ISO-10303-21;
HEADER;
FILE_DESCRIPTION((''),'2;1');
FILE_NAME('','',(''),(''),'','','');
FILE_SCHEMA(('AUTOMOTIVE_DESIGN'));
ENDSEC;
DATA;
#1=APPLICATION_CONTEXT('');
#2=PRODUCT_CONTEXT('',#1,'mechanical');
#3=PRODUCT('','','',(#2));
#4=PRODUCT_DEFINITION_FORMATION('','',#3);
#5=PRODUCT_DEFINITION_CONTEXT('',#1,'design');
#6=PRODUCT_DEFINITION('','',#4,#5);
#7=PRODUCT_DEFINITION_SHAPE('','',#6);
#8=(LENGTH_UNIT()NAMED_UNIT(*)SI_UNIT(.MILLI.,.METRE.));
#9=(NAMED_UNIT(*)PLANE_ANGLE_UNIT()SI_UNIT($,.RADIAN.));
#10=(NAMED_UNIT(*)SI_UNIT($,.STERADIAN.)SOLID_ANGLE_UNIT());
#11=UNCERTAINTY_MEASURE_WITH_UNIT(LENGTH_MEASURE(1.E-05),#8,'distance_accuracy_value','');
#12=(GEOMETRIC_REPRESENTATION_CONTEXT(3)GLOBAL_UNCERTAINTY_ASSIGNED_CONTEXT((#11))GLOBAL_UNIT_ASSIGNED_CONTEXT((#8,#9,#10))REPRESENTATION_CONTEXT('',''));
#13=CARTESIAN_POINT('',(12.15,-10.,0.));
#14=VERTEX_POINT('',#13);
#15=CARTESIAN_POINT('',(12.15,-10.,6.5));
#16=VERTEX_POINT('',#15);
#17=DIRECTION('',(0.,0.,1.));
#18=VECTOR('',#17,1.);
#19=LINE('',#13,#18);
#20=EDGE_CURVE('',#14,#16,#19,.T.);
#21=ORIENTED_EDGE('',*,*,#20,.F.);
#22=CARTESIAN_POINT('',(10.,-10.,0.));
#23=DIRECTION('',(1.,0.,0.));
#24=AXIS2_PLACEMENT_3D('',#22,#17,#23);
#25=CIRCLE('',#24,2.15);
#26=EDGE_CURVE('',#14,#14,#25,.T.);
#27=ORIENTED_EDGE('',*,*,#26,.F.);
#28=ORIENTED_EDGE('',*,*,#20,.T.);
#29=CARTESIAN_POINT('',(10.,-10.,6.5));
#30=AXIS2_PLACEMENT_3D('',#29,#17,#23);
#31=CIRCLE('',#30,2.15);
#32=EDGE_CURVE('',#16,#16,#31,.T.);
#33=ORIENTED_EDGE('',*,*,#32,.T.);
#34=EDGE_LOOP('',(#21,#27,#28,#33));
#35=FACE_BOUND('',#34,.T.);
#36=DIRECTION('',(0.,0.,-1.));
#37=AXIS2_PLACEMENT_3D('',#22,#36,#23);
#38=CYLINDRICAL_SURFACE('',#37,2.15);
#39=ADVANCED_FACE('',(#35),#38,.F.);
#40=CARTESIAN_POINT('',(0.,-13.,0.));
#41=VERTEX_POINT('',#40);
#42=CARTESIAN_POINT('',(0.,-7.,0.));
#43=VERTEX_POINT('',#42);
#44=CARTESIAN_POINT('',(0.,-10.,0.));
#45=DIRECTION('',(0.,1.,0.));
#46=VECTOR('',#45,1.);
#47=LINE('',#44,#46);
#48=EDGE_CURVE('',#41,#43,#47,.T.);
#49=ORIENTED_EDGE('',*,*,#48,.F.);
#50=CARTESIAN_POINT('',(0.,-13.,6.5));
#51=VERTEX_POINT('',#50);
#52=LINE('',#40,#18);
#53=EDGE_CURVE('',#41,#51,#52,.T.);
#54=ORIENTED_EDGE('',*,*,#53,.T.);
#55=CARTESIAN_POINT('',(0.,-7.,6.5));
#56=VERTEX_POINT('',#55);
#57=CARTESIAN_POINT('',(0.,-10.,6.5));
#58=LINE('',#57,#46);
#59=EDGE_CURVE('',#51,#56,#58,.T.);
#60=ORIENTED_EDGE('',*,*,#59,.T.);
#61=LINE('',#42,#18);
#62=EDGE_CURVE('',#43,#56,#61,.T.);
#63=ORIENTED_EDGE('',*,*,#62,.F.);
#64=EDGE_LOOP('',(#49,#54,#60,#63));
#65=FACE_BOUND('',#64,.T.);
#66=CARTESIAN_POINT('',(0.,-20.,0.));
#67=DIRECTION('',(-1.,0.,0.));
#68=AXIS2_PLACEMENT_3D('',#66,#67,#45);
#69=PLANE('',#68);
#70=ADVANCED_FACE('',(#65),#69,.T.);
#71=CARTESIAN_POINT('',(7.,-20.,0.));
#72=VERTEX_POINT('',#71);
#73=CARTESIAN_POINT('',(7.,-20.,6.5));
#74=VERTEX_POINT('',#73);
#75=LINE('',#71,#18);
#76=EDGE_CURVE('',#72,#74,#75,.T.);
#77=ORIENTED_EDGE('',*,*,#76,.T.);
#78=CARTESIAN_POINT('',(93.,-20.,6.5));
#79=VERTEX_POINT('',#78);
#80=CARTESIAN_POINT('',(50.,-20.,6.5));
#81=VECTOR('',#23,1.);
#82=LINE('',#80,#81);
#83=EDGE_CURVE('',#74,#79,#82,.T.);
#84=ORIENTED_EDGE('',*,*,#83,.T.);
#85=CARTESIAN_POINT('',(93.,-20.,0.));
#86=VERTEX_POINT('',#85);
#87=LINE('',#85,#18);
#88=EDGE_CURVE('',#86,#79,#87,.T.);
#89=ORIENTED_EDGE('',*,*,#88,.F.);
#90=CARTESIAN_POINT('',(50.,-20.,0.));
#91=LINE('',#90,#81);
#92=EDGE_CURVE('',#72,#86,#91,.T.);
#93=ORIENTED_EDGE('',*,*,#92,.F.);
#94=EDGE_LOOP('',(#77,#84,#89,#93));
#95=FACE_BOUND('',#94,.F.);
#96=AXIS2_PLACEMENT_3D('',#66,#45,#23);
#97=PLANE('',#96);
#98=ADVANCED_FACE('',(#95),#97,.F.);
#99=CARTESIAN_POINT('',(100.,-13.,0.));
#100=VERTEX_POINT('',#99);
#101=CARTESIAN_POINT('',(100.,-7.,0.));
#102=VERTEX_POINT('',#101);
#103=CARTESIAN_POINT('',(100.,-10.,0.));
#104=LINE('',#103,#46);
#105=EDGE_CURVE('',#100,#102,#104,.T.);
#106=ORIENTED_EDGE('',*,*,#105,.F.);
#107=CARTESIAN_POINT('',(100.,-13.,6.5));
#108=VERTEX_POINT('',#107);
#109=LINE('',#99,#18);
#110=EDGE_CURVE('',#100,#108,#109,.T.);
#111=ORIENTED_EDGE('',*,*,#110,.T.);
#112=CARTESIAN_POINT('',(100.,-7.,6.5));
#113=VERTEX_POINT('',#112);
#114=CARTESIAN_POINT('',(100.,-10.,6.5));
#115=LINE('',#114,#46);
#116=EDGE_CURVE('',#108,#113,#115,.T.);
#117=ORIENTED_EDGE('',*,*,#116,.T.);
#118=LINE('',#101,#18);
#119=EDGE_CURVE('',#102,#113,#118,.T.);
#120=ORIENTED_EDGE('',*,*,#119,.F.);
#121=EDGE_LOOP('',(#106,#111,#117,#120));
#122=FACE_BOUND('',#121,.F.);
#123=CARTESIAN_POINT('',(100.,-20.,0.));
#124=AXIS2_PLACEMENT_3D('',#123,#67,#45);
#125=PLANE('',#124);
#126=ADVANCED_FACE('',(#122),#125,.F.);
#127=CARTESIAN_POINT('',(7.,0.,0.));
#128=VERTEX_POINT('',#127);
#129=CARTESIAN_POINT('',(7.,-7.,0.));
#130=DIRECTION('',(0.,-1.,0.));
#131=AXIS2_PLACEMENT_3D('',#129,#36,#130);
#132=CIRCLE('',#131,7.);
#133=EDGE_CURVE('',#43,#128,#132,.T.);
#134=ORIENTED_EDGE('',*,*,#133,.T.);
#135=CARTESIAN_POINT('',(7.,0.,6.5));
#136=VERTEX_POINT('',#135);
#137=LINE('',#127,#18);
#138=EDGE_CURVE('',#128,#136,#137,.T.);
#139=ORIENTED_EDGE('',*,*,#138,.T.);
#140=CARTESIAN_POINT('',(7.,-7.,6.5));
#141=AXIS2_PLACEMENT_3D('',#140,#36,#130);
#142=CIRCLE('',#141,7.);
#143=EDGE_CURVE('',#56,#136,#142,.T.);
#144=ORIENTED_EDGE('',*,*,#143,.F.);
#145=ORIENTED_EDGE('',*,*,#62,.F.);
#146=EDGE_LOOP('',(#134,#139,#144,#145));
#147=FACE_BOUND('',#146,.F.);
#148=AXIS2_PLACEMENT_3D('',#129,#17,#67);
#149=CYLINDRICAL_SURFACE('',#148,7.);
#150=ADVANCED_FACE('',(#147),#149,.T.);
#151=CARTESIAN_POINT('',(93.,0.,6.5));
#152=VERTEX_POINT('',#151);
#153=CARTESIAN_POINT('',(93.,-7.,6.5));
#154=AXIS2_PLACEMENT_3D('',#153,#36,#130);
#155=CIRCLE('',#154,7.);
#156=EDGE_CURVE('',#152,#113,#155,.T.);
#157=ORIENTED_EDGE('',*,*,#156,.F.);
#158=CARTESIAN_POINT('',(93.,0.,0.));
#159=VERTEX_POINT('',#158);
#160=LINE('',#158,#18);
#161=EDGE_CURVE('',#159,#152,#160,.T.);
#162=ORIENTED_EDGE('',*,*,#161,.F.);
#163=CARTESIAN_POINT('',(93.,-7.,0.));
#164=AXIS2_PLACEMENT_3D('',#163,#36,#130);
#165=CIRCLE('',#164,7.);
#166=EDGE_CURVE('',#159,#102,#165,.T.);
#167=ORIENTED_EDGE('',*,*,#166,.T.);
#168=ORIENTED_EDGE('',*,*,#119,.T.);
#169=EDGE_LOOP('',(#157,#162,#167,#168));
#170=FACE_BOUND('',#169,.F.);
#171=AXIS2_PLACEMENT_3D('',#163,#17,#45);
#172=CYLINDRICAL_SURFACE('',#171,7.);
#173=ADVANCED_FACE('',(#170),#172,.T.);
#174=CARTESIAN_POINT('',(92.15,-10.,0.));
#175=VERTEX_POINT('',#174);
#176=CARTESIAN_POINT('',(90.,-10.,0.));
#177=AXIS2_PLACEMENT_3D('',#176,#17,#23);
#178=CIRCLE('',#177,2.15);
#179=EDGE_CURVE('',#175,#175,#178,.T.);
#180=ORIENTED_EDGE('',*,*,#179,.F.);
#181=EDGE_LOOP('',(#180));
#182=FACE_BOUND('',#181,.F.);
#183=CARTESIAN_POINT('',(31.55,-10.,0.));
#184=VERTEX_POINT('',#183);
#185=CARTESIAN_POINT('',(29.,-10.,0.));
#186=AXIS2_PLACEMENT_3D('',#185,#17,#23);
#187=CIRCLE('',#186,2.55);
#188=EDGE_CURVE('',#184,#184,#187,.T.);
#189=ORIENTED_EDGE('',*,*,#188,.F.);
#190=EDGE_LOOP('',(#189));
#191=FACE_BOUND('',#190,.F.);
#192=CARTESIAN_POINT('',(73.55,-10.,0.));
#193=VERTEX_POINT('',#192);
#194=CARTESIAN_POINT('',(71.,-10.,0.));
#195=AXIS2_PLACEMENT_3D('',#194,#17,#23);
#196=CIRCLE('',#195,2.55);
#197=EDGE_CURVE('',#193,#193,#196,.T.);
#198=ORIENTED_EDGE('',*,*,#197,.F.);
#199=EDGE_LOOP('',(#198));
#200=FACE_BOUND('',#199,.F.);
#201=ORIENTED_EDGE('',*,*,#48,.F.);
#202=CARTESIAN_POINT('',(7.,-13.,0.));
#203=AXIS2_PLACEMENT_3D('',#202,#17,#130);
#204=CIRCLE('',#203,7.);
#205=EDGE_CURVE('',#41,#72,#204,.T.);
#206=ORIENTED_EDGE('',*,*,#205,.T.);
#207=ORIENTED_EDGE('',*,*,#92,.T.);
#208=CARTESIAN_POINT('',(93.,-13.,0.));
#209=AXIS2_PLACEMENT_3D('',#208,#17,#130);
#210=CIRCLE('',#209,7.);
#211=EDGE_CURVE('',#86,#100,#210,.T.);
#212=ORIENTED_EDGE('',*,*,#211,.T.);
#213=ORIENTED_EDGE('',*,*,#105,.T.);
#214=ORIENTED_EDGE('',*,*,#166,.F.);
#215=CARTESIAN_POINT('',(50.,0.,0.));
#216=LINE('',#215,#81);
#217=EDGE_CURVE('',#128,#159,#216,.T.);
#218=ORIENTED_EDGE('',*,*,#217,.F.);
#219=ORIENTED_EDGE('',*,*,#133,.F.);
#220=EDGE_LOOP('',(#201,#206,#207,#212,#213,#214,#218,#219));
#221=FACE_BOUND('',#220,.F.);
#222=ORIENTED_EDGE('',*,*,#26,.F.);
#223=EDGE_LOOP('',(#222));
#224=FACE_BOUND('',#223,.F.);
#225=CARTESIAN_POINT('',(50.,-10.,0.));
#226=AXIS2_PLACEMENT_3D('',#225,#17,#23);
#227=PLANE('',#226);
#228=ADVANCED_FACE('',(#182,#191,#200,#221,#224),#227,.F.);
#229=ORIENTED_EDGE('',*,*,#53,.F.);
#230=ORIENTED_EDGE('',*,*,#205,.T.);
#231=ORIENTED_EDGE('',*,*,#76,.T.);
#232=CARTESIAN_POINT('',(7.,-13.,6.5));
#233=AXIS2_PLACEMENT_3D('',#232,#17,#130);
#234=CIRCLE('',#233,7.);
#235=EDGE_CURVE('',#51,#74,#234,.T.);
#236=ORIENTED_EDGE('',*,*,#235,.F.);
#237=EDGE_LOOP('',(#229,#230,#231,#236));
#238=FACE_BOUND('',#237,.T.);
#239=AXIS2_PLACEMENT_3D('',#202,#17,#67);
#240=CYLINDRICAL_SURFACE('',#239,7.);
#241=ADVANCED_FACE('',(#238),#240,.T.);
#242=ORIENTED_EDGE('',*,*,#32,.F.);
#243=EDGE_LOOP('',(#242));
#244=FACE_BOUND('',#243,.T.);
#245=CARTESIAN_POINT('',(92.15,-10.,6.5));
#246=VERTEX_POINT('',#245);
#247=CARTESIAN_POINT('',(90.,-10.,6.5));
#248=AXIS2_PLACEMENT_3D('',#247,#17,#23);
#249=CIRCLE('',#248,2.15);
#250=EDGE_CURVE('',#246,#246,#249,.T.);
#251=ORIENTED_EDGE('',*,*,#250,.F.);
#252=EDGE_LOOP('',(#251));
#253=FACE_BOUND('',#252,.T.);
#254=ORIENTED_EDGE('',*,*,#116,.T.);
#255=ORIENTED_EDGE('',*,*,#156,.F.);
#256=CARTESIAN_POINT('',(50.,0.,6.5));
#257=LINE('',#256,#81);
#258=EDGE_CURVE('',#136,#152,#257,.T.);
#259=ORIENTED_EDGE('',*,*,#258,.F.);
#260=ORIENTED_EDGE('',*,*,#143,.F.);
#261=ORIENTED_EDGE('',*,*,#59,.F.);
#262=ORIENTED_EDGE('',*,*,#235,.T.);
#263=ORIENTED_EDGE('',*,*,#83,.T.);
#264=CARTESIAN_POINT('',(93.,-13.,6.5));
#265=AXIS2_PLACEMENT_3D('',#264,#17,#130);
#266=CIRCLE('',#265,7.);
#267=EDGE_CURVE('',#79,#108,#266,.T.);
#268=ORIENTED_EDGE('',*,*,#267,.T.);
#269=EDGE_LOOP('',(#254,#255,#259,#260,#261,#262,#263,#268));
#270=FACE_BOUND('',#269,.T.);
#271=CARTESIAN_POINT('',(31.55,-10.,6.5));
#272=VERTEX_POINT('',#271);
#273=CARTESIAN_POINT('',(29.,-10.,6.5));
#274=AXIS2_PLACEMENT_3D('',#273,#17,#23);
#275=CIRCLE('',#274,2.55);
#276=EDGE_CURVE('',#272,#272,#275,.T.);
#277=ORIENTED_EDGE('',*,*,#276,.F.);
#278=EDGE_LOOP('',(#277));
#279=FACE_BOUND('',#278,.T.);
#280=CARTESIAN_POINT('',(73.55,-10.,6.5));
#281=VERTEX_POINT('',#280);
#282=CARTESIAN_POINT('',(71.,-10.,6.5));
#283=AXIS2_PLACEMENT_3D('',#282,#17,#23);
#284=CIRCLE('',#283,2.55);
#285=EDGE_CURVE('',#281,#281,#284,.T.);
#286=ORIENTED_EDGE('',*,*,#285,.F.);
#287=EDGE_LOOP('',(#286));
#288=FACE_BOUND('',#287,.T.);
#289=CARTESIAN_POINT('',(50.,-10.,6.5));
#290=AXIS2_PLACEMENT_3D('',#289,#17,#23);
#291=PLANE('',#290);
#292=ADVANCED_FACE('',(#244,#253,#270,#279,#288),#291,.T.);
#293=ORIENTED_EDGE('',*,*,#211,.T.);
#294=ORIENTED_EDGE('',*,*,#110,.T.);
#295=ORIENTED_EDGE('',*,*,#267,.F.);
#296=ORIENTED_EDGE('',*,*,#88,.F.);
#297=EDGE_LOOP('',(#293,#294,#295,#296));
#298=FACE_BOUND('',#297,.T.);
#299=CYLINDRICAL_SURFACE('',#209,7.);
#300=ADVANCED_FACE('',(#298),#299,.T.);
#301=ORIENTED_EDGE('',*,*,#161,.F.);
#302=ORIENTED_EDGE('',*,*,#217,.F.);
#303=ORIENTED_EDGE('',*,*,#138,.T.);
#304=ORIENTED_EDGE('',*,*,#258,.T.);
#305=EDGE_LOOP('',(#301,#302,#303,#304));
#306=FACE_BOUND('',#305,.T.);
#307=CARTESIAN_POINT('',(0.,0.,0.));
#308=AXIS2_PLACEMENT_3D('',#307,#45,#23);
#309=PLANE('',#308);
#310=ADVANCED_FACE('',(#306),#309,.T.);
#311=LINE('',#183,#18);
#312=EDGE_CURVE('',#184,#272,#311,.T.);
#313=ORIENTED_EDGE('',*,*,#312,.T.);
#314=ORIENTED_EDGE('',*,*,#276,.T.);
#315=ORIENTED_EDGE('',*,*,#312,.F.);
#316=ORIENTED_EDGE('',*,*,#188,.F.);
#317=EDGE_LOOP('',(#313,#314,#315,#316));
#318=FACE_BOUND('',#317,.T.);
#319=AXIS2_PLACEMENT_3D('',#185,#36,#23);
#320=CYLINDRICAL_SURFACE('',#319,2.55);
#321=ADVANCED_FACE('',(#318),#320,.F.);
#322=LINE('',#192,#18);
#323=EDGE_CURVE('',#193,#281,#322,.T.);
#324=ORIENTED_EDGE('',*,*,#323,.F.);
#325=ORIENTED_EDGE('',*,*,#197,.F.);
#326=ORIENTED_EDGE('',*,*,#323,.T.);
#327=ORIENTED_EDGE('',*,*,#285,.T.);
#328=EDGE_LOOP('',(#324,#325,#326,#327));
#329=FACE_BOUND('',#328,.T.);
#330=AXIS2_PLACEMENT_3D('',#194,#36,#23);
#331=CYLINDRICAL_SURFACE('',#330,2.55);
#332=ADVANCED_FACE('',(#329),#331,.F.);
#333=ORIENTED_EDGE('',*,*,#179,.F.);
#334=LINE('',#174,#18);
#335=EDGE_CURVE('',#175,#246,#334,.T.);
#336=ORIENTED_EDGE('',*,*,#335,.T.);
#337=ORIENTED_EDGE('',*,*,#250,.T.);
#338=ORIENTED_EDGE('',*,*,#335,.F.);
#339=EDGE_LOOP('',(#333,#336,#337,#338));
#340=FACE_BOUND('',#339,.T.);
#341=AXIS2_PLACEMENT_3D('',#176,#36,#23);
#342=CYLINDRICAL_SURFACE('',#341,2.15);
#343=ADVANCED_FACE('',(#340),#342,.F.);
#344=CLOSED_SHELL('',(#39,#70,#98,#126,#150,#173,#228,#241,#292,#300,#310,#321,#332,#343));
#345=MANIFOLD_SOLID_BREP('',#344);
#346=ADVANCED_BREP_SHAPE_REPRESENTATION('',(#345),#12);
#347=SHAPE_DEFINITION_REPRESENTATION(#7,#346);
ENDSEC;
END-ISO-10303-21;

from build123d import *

# Parameters (mm, degrees)
SKETCH1_W           = 100
SKETCH1_H           = 20
SKETCH1_R           = 2.15
SKETCH1_R_2         = 2.55
BOSS_EXTRUDE1_DEPTH = 6.5
FILLET1_R           = 7


with BuildPart() as part:
    # Sketch1 → Boss-Extrude1 (new body)
    with BuildSketch(Plane.XY):
        with Locations((50, -10)):
            Rectangle(SKETCH1_W, SKETCH1_H)
        with Locations((10, -10)):
            Circle(SKETCH1_R, mode=Mode.SUBTRACT)
        with Locations((90, -10)):
            Circle(SKETCH1_R, mode=Mode.SUBTRACT)
        with Locations((29, -10)):
            Circle(SKETCH1_R_2, mode=Mode.SUBTRACT)
        with Locations((71, -10)):
            Circle(SKETCH1_R_2, mode=Mode.SUBTRACT)
    extrude(amount=BOSS_EXTRUDE1_DEPTH)

    # Fillet1
    fillet1_edges = [part.edges().sort_by_distance(p)[0] for p in [
        (0, 0, 3.25),
        (100, 0, 3.25),
        (100, -20, 3.25),
        (0, -20, 3.25),
    ]]
    fillet(fillet1_edges, radius=FILLET1_R)


solid = part.part
